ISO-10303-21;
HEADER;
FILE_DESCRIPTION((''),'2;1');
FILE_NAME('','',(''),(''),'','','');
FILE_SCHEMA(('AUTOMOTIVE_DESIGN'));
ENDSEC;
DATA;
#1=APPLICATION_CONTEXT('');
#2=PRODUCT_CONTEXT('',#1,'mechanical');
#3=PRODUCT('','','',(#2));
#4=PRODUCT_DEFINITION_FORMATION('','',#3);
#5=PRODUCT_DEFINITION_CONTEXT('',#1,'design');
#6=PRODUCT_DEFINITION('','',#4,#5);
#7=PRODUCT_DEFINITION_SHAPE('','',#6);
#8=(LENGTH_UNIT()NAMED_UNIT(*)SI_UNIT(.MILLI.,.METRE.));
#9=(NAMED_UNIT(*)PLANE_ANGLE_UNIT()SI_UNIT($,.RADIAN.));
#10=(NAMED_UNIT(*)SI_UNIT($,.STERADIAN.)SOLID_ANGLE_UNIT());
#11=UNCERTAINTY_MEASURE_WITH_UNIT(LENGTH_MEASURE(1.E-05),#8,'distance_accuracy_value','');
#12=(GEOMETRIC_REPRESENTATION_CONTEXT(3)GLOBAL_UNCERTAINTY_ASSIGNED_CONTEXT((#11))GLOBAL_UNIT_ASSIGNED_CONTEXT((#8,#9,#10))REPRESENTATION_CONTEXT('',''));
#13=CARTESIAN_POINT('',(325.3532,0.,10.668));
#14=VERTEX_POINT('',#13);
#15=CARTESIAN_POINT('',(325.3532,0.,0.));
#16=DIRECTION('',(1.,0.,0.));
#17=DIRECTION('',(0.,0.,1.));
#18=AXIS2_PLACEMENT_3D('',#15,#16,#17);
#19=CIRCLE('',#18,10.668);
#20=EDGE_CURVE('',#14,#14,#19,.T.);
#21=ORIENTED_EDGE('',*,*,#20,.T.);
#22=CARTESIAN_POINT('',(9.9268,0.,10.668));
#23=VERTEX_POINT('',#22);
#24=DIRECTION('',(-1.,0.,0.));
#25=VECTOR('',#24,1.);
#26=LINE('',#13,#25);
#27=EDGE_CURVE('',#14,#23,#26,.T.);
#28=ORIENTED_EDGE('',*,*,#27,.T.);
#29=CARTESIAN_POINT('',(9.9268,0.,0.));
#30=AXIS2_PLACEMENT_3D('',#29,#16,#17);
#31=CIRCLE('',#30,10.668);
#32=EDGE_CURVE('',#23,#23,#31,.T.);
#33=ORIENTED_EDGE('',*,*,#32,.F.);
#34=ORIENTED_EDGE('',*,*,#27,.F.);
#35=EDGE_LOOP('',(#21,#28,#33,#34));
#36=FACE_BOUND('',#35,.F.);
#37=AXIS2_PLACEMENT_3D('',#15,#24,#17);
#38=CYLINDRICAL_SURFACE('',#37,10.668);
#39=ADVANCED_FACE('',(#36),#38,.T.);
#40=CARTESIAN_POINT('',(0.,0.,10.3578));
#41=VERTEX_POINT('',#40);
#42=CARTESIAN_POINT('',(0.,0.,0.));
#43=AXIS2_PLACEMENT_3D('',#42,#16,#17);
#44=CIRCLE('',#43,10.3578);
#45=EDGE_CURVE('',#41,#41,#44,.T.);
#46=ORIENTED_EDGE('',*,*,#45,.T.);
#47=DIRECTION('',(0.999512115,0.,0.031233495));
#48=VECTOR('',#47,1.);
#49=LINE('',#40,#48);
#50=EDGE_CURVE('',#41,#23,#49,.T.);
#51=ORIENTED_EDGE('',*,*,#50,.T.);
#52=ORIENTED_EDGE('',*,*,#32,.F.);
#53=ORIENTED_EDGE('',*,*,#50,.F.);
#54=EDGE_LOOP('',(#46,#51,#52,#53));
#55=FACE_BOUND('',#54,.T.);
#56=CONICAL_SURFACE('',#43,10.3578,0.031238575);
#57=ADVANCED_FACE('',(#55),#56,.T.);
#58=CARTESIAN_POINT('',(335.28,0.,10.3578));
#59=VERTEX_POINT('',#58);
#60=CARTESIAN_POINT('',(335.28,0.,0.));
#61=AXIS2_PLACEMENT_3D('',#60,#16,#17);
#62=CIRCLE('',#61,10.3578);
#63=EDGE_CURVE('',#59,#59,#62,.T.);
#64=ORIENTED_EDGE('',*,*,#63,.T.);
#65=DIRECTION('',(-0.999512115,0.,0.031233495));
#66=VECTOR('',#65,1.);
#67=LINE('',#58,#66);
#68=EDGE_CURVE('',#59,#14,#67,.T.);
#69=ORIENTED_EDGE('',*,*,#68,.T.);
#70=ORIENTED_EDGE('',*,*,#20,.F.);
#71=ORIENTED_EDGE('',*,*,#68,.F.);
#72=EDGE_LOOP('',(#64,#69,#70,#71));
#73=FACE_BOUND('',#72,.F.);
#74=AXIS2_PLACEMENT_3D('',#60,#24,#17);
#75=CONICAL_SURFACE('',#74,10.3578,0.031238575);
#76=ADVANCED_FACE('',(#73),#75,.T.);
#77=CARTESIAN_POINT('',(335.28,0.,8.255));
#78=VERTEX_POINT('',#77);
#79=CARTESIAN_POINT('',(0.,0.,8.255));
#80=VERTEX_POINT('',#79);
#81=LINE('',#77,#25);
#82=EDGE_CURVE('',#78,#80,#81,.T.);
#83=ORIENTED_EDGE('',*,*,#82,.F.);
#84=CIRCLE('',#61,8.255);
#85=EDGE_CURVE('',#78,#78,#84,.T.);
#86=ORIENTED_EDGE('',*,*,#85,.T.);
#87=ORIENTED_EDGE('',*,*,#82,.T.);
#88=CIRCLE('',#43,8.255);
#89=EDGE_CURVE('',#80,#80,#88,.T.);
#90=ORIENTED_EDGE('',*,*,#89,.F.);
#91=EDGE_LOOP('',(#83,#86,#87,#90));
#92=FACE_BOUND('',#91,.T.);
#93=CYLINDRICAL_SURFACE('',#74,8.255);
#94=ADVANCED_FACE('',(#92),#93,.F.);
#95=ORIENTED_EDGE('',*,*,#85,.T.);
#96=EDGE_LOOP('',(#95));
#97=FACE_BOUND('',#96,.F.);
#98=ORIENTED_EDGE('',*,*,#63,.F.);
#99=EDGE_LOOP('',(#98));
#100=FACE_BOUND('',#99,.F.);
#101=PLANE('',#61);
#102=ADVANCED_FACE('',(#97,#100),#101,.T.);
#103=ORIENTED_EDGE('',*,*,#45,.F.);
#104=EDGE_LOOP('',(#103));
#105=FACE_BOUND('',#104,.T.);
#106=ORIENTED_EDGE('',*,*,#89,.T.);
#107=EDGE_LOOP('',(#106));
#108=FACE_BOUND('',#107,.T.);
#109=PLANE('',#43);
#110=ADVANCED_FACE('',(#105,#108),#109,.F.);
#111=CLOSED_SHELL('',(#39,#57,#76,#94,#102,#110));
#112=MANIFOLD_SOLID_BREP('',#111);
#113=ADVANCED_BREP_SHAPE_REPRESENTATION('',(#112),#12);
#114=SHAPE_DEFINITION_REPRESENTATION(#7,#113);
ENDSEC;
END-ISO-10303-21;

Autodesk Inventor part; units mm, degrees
ref_plane "YZ Plane" through (0, 0, 0) normal (1, 0, 0) x (0, 1, 0)
ref_plane "XZ Plane" through (0, 0, 0) normal (0, 1, 0) x (-1, 0, 0)
ref_plane "XY Plane" through (0, 0, 0) normal (0, 0, 1) x (1, 0, 0)
sketch "Sketch1" plane through (0, 0, 0) normal (0, 1, 0) x (-1, 0, 0)
  line L0 (0, 0) -> (-335.28, 0)
  line L1 (-335.28, 0) -> (-335.28, 8.255) construction
  line L2 (-335.28, 8.255) -> (-335.28, 10.3578)
  line L3 (-335.28, 10.3578) -> (-325.3532, 10.668)
  line L4 (-325.3532, 10.668) -> (-9.9268, 10.668)
  line L5 (-167.64, 0) -> (-167.64, 10.668) construction
  line L6 (-335.28, 8.255) -> (0, 8.255)
  line L7 (0, 0) -> (0, 8.255) construction
  line L8 (0, 8.255) -> (0, 10.3578)
  line L9 (0, 10.3578) -> (-9.9268, 10.668)
  line L10 (-321.724, 10.7814) -> (-321.724, 0) construction
  line L11 (-13.556, 10.7814) -> (-13.556, 0) construction
  line L12 (-325.3532, 10.668) -> (-321.724, 10.7814) construction
  line L13 (-325.3532, 10.668) -> (-325.3532, 0) construction
  line L14 (-9.9268, 10.668) -> (-13.556, 10.7814) construction
  line L15 (-9.9268, 10.668) -> (-9.9268, 0) construction
  dimension "d0" = 21.336
  dimension "d1" = 1.79
  dimension "d2" = 16.51
  dimension "d3" = 335.28
  dimension "d4" = 13.556
  dimension "d5" = 21.5628
revolve "Revolution1" add sketch "Sketch1" angle 360 about axis through (0, 0, 0) along (1, 0, 0)
thread "Thread1" size "1/2" designation "1/2 - 14 NPT" standard "NPT" full length
thread "Thread2" size "1/2" designation "1/2 - 14 NPT" standard "NPT" full length
equation "\"d0\" = OD"
equation "\"d2\" = ID"
equation "\"d3\" = L"
equation "\"d4\" = L2"
equation "\"d5\" = D2"
equation "\"OD\" = 21.336"
equation "\"t\" = 2.413"
equation "\"L\" = PL"
equation "\"L4\" = 19.8501"
equation "\"ID\" = 16.51"
equation "\"PL\" = 335.28"
equation "\"D2\" = 21.56282"
equation "\"L2\" = 13.55598"
equation "\"Size_Designation\" = 1.2345"
equation "\"PLmin\" = 2 * L2"
properties material "Steel, Wrought"
